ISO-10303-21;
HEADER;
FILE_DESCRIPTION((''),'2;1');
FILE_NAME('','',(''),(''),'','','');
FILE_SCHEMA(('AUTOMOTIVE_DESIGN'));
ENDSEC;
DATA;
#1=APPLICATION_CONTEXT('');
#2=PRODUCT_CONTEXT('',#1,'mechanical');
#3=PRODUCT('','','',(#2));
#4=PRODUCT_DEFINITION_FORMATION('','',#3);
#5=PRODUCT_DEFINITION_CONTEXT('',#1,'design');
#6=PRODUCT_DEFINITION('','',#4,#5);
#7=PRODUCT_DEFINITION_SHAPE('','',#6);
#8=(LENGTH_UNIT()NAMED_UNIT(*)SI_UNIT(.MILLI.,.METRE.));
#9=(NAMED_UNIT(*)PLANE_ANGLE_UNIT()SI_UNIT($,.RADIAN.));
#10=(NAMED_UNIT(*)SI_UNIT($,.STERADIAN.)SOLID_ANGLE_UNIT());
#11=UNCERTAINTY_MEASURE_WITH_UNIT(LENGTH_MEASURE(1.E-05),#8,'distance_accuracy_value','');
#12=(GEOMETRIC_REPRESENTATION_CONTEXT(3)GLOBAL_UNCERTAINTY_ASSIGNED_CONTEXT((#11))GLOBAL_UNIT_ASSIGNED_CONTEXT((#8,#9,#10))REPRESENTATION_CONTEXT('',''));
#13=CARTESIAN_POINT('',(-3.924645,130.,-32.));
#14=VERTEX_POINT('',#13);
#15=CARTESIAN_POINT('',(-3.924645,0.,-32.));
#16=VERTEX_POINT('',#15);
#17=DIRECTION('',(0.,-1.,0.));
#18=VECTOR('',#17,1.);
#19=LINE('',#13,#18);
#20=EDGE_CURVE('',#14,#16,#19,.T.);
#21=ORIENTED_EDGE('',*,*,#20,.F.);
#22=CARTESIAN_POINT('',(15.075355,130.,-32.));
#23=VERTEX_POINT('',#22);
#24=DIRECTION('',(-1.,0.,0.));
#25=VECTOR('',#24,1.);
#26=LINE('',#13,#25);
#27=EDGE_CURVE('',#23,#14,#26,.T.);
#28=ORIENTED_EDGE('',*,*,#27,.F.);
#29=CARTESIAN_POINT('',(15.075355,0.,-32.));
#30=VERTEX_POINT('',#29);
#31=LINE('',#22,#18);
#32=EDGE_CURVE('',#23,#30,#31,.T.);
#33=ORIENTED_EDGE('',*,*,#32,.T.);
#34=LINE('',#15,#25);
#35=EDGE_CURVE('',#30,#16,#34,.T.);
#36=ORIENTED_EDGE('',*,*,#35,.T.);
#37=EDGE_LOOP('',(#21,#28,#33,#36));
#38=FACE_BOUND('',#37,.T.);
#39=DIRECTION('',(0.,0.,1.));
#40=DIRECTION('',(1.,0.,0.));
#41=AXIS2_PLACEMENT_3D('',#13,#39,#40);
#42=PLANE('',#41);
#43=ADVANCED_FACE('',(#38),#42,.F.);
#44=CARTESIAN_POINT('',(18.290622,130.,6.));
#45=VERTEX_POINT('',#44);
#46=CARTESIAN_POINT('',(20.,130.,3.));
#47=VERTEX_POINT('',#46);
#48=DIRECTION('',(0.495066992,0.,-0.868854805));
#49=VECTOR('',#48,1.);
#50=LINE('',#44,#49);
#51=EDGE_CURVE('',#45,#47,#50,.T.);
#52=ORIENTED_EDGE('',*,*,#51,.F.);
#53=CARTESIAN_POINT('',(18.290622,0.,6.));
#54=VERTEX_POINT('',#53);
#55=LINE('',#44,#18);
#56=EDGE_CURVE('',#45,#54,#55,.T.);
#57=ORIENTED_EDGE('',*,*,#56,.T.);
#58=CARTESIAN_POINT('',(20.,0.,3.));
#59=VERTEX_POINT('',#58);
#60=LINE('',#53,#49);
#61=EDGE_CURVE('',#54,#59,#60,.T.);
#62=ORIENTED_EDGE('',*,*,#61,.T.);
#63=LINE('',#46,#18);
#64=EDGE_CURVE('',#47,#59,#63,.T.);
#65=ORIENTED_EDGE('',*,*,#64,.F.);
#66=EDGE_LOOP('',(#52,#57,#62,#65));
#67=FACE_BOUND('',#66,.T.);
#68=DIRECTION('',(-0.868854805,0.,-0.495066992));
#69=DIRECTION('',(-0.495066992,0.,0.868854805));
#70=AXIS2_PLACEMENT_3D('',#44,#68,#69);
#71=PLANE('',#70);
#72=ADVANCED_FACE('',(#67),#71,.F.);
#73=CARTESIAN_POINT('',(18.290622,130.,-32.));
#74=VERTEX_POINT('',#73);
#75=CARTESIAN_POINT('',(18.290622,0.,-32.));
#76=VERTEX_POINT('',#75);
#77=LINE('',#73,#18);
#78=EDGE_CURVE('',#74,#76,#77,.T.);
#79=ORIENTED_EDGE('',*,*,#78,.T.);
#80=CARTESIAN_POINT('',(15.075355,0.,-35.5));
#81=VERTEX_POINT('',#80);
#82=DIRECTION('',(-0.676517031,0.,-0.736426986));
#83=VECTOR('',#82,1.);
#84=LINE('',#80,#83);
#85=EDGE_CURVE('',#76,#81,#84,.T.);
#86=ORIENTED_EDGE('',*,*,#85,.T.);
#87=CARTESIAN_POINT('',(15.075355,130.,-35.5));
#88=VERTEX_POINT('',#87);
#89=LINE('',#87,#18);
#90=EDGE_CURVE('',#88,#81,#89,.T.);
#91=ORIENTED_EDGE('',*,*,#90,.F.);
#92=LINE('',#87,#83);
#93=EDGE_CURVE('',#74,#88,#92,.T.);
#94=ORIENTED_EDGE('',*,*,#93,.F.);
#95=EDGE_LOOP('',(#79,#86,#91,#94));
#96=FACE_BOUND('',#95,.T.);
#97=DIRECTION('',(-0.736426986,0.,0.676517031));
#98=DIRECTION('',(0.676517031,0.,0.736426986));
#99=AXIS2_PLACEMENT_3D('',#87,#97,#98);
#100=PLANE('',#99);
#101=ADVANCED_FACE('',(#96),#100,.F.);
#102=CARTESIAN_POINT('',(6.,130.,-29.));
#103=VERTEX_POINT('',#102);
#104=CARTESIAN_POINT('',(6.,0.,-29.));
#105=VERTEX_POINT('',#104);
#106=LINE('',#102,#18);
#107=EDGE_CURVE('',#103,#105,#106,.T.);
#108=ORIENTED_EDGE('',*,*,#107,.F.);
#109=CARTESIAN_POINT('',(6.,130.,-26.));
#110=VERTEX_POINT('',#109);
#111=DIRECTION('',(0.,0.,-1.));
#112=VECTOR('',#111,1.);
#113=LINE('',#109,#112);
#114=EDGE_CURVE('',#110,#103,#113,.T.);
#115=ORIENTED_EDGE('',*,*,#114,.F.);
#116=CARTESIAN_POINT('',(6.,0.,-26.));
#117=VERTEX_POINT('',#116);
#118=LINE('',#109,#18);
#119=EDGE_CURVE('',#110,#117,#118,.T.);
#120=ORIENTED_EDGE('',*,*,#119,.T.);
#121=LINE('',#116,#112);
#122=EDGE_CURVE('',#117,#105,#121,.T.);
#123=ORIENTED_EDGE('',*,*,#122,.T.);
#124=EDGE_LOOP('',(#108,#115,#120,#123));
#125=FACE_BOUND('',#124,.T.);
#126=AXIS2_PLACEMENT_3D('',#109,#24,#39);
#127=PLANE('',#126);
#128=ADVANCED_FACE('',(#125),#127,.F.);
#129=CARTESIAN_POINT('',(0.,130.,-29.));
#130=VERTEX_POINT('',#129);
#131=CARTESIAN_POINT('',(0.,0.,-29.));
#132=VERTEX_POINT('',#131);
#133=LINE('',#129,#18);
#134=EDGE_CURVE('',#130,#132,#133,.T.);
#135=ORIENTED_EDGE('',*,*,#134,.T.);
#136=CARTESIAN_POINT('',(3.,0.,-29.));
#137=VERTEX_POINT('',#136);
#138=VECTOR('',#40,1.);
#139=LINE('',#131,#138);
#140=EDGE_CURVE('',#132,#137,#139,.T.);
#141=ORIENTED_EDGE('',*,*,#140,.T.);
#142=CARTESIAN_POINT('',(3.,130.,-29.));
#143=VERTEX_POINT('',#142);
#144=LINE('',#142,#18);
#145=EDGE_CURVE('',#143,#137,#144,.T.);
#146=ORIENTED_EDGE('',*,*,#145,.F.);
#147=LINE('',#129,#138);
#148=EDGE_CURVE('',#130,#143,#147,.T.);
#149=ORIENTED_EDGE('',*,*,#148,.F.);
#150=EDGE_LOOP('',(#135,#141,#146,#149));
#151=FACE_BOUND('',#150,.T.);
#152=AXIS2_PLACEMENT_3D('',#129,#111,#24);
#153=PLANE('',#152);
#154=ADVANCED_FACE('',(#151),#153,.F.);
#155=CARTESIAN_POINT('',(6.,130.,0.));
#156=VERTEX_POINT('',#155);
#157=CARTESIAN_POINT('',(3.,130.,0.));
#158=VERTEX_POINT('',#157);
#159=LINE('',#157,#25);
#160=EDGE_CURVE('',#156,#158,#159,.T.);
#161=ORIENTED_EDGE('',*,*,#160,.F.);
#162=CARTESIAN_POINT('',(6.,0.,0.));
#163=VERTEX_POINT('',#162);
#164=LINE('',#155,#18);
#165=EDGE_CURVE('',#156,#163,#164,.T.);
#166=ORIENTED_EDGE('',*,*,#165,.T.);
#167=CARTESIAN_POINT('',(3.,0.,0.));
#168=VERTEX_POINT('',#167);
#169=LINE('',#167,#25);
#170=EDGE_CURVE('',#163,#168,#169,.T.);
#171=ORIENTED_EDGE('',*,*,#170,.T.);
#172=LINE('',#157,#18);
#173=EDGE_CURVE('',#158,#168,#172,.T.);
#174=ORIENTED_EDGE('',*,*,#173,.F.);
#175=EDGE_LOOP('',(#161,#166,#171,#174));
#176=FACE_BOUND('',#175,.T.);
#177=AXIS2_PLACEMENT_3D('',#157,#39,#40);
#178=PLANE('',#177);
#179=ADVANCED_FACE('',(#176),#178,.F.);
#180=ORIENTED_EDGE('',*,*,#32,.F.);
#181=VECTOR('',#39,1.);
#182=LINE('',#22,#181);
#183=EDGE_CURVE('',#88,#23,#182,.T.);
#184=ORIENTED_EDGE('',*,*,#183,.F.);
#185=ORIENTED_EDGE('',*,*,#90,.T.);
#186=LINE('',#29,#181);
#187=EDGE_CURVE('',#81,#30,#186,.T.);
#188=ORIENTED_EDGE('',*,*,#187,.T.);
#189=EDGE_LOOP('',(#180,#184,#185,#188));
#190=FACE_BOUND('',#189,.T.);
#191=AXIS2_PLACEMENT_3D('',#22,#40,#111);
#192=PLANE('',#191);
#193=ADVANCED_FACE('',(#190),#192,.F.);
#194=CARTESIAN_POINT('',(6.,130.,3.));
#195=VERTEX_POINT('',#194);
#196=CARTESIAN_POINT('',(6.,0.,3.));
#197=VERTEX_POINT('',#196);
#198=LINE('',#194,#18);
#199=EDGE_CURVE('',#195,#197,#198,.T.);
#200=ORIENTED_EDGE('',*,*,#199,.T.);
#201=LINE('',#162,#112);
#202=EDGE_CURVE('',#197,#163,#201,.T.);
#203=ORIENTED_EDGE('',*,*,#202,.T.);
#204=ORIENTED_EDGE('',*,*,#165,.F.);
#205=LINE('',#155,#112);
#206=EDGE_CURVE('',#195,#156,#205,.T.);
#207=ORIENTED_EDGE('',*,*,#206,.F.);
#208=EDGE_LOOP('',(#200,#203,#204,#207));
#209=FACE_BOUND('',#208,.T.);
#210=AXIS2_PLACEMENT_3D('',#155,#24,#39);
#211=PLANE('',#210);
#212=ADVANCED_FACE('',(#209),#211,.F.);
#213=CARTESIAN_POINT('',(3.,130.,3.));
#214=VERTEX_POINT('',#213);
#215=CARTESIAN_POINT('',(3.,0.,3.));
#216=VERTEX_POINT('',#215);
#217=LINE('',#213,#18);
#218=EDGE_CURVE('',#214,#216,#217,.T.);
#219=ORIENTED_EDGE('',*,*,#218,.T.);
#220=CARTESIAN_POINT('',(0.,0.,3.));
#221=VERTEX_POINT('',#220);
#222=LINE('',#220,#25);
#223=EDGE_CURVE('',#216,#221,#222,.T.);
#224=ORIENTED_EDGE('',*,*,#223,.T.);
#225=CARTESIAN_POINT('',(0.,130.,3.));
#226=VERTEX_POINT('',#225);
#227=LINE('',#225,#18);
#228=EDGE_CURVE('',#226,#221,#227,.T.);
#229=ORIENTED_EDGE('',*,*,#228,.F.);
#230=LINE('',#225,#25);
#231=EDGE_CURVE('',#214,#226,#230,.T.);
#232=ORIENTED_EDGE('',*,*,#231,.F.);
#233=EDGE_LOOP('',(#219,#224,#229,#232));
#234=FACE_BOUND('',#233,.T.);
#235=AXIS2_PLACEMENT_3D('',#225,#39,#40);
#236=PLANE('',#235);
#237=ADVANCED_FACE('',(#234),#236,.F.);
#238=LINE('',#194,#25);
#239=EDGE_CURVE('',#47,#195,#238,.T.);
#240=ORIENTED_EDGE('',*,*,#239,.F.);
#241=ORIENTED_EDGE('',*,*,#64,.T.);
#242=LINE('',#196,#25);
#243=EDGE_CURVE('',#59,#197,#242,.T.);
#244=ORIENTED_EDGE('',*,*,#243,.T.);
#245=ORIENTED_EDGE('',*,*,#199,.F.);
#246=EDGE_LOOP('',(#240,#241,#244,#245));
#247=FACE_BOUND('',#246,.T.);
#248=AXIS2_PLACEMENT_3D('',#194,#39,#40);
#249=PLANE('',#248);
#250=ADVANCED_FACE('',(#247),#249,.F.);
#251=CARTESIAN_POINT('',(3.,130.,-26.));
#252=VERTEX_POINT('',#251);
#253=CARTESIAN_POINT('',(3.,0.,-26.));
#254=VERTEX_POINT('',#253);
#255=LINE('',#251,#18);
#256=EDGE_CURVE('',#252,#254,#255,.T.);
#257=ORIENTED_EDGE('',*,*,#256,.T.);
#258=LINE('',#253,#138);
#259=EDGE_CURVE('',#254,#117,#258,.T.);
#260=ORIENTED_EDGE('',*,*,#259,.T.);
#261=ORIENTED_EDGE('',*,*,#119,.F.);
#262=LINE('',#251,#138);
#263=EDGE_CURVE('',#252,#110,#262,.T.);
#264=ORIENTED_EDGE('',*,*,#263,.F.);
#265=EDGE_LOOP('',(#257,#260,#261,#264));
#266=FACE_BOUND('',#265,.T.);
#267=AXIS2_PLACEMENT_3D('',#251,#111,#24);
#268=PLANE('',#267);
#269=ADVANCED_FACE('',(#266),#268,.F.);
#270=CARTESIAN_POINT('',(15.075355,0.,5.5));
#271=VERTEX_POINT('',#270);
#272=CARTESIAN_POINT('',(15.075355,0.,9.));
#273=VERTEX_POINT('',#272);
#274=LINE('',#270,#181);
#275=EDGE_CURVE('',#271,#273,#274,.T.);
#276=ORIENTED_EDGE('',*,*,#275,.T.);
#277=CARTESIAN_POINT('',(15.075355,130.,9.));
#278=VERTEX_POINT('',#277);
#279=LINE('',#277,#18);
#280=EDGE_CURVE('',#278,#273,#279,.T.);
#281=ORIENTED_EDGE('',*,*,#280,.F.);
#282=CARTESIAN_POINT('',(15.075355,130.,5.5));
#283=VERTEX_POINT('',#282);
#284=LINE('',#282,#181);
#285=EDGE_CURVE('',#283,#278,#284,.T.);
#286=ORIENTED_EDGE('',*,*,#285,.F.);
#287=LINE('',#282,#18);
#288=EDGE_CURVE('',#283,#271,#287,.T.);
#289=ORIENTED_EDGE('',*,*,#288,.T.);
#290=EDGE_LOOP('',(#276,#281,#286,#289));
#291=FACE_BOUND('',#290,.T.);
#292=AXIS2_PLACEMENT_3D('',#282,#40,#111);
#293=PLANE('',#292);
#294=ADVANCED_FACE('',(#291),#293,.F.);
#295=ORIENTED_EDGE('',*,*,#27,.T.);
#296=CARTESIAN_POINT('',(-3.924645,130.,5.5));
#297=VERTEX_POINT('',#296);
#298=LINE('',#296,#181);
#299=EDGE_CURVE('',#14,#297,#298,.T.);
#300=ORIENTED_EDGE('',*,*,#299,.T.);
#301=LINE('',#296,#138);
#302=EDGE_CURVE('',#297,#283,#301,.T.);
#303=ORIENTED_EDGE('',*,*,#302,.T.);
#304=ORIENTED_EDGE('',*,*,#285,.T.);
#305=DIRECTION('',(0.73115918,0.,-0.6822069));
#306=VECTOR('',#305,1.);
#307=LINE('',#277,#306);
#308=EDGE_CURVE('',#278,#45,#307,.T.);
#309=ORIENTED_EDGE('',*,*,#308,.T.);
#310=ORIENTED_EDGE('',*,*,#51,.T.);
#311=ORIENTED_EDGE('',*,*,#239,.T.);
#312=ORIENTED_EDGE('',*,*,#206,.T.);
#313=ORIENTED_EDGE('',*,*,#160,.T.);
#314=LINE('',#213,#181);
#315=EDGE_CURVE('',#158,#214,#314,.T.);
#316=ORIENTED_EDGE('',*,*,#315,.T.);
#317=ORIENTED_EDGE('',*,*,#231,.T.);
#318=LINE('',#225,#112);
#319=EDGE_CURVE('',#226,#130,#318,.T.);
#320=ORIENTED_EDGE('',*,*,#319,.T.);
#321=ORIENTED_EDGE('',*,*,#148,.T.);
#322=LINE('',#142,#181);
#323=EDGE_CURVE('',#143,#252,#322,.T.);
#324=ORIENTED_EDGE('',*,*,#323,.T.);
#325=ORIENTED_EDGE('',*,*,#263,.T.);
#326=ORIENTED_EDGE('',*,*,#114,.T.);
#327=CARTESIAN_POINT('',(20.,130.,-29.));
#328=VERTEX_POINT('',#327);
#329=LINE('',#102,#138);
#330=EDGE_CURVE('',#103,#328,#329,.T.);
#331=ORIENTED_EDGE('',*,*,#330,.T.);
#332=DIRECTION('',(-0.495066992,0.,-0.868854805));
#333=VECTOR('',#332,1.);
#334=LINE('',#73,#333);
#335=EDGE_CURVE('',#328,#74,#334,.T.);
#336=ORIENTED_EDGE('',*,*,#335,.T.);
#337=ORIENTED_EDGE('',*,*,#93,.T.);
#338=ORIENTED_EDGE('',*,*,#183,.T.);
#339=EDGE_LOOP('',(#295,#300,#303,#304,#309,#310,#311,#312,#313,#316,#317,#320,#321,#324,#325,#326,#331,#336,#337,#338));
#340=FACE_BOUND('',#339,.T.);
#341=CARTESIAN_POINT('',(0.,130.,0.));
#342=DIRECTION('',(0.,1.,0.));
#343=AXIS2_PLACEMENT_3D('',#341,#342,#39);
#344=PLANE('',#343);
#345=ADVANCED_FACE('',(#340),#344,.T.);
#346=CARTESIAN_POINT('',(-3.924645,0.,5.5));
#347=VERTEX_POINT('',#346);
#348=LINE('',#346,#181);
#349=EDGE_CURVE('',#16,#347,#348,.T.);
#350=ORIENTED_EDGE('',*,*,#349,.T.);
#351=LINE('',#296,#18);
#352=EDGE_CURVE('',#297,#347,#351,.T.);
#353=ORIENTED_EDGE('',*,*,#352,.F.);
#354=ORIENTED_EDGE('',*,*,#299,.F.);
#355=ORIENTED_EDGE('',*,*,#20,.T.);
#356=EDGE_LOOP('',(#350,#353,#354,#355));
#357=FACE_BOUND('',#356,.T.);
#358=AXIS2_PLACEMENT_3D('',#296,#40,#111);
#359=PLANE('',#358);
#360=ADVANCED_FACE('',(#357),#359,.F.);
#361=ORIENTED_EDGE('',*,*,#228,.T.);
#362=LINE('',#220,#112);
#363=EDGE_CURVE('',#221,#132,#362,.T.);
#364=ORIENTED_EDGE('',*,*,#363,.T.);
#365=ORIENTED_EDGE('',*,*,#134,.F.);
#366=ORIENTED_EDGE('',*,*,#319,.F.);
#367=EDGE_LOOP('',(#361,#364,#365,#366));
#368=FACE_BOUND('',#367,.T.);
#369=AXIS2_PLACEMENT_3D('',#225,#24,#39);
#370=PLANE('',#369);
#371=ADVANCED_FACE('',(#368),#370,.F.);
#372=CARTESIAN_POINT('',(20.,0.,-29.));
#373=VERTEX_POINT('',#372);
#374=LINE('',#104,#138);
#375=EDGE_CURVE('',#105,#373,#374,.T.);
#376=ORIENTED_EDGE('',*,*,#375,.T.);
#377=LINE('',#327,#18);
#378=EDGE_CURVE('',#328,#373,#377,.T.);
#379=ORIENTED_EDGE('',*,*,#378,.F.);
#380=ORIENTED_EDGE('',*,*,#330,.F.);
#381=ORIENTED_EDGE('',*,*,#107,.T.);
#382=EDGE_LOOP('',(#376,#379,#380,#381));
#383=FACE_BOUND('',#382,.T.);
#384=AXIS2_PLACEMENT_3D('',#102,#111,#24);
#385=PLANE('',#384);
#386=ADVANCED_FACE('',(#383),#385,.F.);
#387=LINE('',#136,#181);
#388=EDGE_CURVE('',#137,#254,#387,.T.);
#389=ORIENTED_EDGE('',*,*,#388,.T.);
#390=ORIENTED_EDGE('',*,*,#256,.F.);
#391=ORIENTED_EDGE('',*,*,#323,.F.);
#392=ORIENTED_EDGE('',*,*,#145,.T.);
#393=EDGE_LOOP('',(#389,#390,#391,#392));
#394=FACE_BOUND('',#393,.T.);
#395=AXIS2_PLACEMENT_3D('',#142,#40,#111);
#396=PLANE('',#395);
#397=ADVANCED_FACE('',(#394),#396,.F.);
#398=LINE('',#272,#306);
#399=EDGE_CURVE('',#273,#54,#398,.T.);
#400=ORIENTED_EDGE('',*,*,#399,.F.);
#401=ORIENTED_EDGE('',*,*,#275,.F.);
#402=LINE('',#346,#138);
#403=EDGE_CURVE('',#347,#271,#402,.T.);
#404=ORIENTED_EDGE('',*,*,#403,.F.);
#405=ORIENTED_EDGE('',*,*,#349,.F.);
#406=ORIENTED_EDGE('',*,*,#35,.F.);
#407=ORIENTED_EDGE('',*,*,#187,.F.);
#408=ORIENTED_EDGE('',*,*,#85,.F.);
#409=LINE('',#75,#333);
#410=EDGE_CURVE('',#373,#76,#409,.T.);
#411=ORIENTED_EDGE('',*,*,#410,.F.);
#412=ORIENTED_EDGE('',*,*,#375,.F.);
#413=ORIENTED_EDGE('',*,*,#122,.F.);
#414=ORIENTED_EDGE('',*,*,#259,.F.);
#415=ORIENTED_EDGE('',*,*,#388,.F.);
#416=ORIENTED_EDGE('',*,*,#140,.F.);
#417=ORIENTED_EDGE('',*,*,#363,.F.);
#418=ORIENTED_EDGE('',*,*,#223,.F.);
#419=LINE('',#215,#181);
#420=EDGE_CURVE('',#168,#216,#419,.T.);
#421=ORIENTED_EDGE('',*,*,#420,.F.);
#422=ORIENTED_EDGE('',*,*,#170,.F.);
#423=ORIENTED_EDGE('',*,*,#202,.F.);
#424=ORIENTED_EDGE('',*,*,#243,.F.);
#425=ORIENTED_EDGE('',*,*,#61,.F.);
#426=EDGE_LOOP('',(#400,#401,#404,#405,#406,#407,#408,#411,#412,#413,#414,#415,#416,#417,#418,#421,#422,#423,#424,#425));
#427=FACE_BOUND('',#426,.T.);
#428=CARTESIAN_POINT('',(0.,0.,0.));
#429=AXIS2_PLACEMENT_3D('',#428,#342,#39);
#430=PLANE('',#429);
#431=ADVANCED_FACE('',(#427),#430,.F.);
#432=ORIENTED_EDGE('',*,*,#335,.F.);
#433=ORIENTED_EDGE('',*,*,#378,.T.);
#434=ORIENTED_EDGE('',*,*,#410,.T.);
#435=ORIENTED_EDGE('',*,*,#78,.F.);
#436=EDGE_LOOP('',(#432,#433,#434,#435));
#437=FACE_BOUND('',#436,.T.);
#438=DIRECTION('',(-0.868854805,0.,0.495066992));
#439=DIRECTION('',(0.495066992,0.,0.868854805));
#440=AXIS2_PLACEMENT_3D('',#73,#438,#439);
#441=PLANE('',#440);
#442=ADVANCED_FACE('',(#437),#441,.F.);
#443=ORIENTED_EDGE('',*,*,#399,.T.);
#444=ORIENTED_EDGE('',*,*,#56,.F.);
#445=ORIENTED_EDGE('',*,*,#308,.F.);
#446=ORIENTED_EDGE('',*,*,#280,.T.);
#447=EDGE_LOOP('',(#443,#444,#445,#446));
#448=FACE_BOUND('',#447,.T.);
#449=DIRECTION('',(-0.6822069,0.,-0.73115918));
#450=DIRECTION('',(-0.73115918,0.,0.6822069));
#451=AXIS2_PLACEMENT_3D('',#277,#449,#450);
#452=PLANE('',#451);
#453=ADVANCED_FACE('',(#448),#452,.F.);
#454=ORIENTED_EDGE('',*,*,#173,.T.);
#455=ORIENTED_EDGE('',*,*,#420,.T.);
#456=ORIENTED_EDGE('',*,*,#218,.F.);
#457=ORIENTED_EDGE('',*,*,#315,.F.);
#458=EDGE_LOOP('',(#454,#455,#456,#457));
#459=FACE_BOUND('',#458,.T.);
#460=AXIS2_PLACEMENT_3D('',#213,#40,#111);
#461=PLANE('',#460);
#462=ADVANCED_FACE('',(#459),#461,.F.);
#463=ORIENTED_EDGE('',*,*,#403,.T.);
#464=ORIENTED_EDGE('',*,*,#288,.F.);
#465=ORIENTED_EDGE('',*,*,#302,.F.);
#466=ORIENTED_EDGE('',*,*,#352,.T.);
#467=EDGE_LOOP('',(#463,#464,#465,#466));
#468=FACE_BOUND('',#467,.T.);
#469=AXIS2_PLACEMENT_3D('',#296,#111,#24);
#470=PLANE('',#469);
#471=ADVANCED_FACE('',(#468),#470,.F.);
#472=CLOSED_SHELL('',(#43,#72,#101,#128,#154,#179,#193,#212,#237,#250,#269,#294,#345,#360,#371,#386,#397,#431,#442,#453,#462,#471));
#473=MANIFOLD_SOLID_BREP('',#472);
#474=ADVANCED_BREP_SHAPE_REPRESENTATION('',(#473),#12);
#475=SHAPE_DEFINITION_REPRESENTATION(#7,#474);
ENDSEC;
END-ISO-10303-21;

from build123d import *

# Parameters (mm, degrees)
BOSS_EXTRUDE2_DEPTH = 130


with BuildPart() as part:
    # Sketch1 → Boss-Extrude2 (new body)
    with BuildSketch(Plane(origin=(0, 0, 0), x_dir=(1, 0, 0), z_dir=(0, 1, 0))):
        Polygon((0, -3), (0, 29), (3, 29), (3, 26), (6, 26), (6, 29), (20, 29), (18.290622359, 32), (15.075355057, 35.5), (15.075355057, 32), (-3.924644943, 32), (-3.924644943, -5.5), (15.075355057, -5.5), (15.075355057, -9), (18.290622359, -6), (20, -3), (6, -3), (6, 0), (3, 0), (3, -3), align=None)
    extrude(amount=BOSS_EXTRUDE2_DEPTH)


solid = part.part
